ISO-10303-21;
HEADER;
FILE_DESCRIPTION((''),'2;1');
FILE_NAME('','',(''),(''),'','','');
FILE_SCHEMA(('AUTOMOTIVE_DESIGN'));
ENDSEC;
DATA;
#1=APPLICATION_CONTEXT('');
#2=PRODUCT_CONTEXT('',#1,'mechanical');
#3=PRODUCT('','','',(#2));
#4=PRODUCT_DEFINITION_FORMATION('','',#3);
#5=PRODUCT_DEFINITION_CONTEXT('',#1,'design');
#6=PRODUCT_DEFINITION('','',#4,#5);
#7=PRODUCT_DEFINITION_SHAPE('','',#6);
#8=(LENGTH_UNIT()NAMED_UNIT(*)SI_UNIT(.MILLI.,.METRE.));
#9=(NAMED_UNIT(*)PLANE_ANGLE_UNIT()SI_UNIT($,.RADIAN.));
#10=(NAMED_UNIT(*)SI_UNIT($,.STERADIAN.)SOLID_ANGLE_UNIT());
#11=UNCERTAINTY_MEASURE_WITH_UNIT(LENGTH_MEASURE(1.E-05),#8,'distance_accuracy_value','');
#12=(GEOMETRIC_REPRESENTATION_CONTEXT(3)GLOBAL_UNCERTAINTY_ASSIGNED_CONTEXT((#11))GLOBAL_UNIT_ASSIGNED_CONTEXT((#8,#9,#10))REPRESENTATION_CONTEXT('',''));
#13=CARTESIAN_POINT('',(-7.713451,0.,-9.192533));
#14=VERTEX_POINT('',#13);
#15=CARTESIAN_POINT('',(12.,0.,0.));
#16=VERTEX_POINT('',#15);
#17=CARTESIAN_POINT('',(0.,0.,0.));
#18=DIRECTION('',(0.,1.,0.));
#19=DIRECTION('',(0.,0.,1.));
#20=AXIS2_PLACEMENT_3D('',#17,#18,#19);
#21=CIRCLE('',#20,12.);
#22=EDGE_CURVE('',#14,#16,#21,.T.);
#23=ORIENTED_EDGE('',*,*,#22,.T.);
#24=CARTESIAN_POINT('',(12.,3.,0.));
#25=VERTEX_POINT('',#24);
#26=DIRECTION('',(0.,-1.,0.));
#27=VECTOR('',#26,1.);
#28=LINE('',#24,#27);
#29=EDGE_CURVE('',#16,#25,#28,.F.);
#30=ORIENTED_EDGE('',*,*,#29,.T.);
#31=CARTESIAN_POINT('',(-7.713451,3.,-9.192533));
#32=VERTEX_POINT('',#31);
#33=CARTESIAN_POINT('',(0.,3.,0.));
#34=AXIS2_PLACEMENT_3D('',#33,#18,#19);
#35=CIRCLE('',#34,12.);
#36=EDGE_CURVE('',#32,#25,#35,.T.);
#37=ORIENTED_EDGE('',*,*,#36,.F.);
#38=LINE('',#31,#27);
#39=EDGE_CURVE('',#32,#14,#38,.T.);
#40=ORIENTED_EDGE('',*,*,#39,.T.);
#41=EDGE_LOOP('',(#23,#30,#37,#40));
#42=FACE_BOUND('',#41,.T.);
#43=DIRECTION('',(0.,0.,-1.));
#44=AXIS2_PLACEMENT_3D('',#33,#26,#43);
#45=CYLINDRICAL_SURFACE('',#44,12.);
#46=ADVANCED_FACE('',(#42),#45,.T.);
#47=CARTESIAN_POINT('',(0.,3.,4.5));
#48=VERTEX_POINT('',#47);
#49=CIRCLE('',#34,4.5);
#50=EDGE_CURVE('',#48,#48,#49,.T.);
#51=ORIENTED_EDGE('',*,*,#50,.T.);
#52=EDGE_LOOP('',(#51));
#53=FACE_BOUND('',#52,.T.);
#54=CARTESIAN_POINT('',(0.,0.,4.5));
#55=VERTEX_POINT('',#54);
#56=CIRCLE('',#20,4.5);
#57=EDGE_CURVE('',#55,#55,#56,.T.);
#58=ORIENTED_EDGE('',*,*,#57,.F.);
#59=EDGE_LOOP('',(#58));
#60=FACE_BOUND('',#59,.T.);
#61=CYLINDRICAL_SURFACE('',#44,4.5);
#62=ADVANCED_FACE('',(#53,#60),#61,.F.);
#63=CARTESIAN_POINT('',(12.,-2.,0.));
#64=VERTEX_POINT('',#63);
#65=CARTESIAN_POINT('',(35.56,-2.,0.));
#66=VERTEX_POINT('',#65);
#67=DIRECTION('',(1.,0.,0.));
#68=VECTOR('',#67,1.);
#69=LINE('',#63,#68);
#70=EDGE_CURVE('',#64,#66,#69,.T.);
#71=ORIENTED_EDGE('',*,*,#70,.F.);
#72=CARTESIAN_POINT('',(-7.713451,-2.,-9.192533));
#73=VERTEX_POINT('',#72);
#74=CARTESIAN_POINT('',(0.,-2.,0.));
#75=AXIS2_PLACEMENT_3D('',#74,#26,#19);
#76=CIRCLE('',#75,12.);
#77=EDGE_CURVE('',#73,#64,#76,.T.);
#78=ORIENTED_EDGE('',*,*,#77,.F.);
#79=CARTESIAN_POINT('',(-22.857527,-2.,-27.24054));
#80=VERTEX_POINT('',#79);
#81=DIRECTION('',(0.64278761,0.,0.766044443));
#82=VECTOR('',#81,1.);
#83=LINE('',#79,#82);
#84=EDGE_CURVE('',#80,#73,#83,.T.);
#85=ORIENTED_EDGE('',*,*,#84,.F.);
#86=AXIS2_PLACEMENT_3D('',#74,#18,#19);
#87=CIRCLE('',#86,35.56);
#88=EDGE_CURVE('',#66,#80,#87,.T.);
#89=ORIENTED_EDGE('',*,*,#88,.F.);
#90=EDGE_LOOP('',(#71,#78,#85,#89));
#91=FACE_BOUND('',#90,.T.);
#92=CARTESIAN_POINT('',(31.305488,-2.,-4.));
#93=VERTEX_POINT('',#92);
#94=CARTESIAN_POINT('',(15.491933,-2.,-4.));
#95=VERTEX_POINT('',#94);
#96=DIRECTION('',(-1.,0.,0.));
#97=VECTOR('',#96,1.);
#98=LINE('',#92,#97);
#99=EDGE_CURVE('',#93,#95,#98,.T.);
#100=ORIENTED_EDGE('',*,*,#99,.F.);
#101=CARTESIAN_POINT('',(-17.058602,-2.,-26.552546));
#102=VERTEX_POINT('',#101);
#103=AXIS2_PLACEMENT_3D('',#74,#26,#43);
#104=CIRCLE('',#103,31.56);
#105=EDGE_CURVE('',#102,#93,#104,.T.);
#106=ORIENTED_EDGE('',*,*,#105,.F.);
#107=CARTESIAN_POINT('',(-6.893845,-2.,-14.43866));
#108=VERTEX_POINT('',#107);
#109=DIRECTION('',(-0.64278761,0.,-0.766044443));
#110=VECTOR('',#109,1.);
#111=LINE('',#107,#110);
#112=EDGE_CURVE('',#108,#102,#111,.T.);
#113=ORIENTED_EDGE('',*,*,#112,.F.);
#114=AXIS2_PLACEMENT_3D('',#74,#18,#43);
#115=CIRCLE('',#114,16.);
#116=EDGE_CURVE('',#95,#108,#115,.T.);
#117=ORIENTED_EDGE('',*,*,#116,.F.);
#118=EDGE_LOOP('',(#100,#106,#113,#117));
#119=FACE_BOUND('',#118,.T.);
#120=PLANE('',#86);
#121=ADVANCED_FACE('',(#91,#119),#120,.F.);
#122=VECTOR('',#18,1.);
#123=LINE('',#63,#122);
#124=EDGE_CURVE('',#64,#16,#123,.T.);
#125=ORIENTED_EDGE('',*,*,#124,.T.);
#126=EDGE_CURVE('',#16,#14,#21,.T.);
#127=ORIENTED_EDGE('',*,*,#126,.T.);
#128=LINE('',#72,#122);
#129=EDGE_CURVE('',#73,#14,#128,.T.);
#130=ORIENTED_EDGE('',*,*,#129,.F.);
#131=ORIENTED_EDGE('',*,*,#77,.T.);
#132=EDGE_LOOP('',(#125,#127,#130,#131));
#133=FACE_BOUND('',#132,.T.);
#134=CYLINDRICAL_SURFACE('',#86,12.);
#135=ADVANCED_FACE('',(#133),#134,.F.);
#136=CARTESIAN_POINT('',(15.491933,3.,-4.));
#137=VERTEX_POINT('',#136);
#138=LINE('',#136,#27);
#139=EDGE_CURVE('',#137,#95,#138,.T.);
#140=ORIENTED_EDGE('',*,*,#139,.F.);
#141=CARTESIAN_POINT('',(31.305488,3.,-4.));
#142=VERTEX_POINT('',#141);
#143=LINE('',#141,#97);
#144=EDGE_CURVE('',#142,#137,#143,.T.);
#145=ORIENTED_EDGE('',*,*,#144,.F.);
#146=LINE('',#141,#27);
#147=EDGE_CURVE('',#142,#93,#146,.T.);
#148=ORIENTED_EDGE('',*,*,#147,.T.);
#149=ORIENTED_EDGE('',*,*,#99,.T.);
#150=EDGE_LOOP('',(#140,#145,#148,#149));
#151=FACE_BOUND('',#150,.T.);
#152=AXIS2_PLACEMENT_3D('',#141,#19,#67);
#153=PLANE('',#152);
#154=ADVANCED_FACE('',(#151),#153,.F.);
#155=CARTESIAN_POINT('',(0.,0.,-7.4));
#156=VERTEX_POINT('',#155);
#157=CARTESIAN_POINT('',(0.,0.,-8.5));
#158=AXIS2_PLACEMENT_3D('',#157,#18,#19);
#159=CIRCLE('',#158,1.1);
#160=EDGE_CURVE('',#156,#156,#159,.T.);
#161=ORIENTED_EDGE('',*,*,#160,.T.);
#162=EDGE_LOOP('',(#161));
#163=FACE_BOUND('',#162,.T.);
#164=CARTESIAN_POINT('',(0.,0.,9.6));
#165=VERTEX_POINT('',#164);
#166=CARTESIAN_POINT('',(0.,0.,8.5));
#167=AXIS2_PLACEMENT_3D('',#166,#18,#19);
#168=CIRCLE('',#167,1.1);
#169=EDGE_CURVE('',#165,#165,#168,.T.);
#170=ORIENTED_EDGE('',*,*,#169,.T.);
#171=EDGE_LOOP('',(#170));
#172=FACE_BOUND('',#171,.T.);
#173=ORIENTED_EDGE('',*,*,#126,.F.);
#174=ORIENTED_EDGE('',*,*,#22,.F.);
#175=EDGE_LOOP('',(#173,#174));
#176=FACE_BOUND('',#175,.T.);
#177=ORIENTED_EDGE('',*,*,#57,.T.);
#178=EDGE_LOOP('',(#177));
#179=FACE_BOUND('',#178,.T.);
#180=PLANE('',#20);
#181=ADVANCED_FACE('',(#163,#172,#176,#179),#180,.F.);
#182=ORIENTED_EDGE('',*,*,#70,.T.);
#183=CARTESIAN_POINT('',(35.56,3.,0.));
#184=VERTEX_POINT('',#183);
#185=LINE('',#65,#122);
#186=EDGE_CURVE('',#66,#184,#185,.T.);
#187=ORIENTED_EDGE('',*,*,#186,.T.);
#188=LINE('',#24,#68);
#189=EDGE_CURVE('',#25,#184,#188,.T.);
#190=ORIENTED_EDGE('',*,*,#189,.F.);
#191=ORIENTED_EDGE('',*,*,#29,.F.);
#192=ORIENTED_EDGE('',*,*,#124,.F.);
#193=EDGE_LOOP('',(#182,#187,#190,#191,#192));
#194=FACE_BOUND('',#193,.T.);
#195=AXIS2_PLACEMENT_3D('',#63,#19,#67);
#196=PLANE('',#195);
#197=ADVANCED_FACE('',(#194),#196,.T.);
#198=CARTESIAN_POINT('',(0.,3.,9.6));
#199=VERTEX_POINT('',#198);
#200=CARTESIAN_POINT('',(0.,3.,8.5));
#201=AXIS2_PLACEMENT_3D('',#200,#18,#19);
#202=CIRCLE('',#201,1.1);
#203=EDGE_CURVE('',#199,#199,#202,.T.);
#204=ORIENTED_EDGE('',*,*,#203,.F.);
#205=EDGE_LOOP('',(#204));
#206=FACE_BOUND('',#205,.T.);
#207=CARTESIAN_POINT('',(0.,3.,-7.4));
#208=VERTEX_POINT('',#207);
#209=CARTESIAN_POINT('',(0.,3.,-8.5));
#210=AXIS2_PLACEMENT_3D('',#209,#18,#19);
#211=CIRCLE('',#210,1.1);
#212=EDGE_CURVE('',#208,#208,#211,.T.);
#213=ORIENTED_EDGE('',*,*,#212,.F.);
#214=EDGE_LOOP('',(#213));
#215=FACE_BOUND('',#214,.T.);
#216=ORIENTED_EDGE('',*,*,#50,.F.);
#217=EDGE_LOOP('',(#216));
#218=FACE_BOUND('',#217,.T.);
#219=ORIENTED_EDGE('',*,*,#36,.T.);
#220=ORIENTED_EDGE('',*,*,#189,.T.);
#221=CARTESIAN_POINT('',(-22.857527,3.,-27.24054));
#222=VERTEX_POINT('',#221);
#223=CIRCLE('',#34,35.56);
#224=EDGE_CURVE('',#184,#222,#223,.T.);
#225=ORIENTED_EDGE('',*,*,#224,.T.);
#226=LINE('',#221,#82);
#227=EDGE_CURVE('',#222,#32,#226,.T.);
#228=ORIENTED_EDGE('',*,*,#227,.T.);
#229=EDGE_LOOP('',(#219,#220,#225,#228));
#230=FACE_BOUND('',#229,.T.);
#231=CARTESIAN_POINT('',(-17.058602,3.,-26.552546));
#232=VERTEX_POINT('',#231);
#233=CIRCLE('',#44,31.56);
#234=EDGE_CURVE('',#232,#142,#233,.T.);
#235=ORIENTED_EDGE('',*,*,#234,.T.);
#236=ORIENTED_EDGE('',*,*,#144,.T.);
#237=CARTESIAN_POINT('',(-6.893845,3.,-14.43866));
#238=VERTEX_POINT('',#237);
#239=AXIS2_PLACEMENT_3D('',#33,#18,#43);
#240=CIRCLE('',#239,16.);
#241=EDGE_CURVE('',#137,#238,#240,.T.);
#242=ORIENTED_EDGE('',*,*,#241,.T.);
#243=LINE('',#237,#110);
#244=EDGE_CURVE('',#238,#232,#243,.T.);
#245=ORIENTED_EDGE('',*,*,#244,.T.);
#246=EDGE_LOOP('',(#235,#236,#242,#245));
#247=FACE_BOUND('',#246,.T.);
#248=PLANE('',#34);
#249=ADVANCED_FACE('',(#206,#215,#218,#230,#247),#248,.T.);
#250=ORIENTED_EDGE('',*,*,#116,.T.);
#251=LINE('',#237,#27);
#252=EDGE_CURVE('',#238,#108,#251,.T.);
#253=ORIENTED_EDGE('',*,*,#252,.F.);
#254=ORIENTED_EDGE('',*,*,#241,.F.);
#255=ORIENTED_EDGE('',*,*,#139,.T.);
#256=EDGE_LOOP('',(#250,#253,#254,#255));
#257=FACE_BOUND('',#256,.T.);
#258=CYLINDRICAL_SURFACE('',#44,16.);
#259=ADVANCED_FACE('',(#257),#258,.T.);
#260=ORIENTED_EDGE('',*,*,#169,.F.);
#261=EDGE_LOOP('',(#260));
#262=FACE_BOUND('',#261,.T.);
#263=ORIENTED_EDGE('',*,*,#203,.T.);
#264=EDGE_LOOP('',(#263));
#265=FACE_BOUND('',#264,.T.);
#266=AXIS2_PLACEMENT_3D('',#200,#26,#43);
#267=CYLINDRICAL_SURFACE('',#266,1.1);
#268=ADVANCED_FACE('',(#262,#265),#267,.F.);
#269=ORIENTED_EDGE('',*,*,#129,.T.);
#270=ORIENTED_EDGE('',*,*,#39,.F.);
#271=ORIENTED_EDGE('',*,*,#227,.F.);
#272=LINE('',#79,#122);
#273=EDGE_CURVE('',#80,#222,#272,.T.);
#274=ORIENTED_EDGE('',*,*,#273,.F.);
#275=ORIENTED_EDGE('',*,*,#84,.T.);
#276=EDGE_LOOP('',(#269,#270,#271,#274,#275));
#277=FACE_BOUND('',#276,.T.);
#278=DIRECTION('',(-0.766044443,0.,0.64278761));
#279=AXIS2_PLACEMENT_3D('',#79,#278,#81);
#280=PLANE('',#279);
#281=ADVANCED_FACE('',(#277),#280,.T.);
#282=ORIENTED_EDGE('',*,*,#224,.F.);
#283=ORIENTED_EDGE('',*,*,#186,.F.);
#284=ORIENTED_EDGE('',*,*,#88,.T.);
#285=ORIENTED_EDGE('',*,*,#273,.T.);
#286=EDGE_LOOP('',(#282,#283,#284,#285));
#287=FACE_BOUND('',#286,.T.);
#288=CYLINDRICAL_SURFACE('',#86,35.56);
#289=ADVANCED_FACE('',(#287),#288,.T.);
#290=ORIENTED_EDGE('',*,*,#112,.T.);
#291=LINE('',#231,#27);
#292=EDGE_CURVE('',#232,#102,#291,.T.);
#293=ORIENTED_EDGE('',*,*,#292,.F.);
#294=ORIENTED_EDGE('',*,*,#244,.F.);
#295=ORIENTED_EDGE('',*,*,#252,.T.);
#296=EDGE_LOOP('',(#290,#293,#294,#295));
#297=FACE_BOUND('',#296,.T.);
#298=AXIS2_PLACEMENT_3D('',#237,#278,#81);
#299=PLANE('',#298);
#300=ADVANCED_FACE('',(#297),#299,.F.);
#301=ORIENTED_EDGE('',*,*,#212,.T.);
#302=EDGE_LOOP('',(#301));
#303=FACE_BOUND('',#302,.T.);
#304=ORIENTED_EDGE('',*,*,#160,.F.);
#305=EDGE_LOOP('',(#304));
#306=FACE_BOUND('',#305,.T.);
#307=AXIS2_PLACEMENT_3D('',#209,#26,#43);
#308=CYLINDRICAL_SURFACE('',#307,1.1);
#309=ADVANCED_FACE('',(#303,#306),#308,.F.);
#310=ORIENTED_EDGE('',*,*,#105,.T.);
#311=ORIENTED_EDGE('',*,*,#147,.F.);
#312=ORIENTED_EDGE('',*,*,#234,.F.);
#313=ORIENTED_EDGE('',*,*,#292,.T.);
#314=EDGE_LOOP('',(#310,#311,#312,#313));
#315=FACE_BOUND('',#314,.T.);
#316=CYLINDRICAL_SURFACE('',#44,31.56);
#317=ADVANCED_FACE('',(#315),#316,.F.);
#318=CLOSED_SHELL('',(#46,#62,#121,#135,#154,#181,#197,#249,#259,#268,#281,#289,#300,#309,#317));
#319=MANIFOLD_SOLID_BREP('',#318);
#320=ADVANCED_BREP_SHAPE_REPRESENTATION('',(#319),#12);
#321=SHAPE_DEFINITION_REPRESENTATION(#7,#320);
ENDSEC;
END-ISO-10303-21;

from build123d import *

# Parameters (mm, degrees)
SKETCH1_R           = 12
SKETCH1_R_2         = 4.5
SKETCH1_R_3         = 1.1
BOSS_EXTRUDE1_DEPTH = 3
BOSS_EXTRUDE2_DEPTH = 5
CUT_EXTRUDE1_DEPTH  = 6


with BuildPart() as part:
    # Sketch1 → Boss-Extrude1 (new body)
    with BuildSketch(Plane(origin=(0, 0, 0), x_dir=(1, 0, 0), z_dir=(0, 1, 0))):
        Circle(SKETCH1_R)
        Circle(SKETCH1_R_2, mode=Mode.SUBTRACT)
        with Locations((0, 8.5)):
            Circle(SKETCH1_R_3, mode=Mode.SUBTRACT)
        with Locations((0, -8.5)):
            Circle(SKETCH1_R_3, mode=Mode.SUBTRACT)
    extrude(amount=BOSS_EXTRUDE1_DEPTH)

    # Sketch2 → Boss-Extrude2 (add)
    with BuildSketch(Plane(origin=(0, 3, 0), x_dir=(1, 0, 0), z_dir=(0, 1, 0))):
        with BuildLine():
            Line((12, 0), (35.56, 0))
            ThreePointArc((35.56, 0), (15.028305387, 32.228304907), (-22.8575274, 27.240540397))
            Line((-22.8575274, 27.240540397), (-7.713451316, 9.192533317))
            ThreePointArc((-7.713451316, 9.192533317), (5.071419141, 10.875693444), (12, 0))
        make_face()
    extrude(amount=-BOSS_EXTRUDE2_DEPTH)

    # Sketch3 → Cut-Extrude1 (cut, through all)
    with BuildSketch(Plane.XZ.offset(2)):
        with BuildLine():
            Line((31.305488337, -4), (15.491933385, -4))
            ThreePointArc((15.491933385, -4), (6.761892188, -14.500924593), (-6.893845057, -14.438659921))
            Line((-6.893845057, -14.438659921), (-17.058602246, -26.552545818))
            ThreePointArc((-17.058602246, -26.552545818), (13.337832341, -28.603073759), (31.305488337, -4))
        make_face()
    extrude(amount=-CUT_EXTRUDE1_DEPTH, mode=Mode.SUBTRACT)


solid = part.part
